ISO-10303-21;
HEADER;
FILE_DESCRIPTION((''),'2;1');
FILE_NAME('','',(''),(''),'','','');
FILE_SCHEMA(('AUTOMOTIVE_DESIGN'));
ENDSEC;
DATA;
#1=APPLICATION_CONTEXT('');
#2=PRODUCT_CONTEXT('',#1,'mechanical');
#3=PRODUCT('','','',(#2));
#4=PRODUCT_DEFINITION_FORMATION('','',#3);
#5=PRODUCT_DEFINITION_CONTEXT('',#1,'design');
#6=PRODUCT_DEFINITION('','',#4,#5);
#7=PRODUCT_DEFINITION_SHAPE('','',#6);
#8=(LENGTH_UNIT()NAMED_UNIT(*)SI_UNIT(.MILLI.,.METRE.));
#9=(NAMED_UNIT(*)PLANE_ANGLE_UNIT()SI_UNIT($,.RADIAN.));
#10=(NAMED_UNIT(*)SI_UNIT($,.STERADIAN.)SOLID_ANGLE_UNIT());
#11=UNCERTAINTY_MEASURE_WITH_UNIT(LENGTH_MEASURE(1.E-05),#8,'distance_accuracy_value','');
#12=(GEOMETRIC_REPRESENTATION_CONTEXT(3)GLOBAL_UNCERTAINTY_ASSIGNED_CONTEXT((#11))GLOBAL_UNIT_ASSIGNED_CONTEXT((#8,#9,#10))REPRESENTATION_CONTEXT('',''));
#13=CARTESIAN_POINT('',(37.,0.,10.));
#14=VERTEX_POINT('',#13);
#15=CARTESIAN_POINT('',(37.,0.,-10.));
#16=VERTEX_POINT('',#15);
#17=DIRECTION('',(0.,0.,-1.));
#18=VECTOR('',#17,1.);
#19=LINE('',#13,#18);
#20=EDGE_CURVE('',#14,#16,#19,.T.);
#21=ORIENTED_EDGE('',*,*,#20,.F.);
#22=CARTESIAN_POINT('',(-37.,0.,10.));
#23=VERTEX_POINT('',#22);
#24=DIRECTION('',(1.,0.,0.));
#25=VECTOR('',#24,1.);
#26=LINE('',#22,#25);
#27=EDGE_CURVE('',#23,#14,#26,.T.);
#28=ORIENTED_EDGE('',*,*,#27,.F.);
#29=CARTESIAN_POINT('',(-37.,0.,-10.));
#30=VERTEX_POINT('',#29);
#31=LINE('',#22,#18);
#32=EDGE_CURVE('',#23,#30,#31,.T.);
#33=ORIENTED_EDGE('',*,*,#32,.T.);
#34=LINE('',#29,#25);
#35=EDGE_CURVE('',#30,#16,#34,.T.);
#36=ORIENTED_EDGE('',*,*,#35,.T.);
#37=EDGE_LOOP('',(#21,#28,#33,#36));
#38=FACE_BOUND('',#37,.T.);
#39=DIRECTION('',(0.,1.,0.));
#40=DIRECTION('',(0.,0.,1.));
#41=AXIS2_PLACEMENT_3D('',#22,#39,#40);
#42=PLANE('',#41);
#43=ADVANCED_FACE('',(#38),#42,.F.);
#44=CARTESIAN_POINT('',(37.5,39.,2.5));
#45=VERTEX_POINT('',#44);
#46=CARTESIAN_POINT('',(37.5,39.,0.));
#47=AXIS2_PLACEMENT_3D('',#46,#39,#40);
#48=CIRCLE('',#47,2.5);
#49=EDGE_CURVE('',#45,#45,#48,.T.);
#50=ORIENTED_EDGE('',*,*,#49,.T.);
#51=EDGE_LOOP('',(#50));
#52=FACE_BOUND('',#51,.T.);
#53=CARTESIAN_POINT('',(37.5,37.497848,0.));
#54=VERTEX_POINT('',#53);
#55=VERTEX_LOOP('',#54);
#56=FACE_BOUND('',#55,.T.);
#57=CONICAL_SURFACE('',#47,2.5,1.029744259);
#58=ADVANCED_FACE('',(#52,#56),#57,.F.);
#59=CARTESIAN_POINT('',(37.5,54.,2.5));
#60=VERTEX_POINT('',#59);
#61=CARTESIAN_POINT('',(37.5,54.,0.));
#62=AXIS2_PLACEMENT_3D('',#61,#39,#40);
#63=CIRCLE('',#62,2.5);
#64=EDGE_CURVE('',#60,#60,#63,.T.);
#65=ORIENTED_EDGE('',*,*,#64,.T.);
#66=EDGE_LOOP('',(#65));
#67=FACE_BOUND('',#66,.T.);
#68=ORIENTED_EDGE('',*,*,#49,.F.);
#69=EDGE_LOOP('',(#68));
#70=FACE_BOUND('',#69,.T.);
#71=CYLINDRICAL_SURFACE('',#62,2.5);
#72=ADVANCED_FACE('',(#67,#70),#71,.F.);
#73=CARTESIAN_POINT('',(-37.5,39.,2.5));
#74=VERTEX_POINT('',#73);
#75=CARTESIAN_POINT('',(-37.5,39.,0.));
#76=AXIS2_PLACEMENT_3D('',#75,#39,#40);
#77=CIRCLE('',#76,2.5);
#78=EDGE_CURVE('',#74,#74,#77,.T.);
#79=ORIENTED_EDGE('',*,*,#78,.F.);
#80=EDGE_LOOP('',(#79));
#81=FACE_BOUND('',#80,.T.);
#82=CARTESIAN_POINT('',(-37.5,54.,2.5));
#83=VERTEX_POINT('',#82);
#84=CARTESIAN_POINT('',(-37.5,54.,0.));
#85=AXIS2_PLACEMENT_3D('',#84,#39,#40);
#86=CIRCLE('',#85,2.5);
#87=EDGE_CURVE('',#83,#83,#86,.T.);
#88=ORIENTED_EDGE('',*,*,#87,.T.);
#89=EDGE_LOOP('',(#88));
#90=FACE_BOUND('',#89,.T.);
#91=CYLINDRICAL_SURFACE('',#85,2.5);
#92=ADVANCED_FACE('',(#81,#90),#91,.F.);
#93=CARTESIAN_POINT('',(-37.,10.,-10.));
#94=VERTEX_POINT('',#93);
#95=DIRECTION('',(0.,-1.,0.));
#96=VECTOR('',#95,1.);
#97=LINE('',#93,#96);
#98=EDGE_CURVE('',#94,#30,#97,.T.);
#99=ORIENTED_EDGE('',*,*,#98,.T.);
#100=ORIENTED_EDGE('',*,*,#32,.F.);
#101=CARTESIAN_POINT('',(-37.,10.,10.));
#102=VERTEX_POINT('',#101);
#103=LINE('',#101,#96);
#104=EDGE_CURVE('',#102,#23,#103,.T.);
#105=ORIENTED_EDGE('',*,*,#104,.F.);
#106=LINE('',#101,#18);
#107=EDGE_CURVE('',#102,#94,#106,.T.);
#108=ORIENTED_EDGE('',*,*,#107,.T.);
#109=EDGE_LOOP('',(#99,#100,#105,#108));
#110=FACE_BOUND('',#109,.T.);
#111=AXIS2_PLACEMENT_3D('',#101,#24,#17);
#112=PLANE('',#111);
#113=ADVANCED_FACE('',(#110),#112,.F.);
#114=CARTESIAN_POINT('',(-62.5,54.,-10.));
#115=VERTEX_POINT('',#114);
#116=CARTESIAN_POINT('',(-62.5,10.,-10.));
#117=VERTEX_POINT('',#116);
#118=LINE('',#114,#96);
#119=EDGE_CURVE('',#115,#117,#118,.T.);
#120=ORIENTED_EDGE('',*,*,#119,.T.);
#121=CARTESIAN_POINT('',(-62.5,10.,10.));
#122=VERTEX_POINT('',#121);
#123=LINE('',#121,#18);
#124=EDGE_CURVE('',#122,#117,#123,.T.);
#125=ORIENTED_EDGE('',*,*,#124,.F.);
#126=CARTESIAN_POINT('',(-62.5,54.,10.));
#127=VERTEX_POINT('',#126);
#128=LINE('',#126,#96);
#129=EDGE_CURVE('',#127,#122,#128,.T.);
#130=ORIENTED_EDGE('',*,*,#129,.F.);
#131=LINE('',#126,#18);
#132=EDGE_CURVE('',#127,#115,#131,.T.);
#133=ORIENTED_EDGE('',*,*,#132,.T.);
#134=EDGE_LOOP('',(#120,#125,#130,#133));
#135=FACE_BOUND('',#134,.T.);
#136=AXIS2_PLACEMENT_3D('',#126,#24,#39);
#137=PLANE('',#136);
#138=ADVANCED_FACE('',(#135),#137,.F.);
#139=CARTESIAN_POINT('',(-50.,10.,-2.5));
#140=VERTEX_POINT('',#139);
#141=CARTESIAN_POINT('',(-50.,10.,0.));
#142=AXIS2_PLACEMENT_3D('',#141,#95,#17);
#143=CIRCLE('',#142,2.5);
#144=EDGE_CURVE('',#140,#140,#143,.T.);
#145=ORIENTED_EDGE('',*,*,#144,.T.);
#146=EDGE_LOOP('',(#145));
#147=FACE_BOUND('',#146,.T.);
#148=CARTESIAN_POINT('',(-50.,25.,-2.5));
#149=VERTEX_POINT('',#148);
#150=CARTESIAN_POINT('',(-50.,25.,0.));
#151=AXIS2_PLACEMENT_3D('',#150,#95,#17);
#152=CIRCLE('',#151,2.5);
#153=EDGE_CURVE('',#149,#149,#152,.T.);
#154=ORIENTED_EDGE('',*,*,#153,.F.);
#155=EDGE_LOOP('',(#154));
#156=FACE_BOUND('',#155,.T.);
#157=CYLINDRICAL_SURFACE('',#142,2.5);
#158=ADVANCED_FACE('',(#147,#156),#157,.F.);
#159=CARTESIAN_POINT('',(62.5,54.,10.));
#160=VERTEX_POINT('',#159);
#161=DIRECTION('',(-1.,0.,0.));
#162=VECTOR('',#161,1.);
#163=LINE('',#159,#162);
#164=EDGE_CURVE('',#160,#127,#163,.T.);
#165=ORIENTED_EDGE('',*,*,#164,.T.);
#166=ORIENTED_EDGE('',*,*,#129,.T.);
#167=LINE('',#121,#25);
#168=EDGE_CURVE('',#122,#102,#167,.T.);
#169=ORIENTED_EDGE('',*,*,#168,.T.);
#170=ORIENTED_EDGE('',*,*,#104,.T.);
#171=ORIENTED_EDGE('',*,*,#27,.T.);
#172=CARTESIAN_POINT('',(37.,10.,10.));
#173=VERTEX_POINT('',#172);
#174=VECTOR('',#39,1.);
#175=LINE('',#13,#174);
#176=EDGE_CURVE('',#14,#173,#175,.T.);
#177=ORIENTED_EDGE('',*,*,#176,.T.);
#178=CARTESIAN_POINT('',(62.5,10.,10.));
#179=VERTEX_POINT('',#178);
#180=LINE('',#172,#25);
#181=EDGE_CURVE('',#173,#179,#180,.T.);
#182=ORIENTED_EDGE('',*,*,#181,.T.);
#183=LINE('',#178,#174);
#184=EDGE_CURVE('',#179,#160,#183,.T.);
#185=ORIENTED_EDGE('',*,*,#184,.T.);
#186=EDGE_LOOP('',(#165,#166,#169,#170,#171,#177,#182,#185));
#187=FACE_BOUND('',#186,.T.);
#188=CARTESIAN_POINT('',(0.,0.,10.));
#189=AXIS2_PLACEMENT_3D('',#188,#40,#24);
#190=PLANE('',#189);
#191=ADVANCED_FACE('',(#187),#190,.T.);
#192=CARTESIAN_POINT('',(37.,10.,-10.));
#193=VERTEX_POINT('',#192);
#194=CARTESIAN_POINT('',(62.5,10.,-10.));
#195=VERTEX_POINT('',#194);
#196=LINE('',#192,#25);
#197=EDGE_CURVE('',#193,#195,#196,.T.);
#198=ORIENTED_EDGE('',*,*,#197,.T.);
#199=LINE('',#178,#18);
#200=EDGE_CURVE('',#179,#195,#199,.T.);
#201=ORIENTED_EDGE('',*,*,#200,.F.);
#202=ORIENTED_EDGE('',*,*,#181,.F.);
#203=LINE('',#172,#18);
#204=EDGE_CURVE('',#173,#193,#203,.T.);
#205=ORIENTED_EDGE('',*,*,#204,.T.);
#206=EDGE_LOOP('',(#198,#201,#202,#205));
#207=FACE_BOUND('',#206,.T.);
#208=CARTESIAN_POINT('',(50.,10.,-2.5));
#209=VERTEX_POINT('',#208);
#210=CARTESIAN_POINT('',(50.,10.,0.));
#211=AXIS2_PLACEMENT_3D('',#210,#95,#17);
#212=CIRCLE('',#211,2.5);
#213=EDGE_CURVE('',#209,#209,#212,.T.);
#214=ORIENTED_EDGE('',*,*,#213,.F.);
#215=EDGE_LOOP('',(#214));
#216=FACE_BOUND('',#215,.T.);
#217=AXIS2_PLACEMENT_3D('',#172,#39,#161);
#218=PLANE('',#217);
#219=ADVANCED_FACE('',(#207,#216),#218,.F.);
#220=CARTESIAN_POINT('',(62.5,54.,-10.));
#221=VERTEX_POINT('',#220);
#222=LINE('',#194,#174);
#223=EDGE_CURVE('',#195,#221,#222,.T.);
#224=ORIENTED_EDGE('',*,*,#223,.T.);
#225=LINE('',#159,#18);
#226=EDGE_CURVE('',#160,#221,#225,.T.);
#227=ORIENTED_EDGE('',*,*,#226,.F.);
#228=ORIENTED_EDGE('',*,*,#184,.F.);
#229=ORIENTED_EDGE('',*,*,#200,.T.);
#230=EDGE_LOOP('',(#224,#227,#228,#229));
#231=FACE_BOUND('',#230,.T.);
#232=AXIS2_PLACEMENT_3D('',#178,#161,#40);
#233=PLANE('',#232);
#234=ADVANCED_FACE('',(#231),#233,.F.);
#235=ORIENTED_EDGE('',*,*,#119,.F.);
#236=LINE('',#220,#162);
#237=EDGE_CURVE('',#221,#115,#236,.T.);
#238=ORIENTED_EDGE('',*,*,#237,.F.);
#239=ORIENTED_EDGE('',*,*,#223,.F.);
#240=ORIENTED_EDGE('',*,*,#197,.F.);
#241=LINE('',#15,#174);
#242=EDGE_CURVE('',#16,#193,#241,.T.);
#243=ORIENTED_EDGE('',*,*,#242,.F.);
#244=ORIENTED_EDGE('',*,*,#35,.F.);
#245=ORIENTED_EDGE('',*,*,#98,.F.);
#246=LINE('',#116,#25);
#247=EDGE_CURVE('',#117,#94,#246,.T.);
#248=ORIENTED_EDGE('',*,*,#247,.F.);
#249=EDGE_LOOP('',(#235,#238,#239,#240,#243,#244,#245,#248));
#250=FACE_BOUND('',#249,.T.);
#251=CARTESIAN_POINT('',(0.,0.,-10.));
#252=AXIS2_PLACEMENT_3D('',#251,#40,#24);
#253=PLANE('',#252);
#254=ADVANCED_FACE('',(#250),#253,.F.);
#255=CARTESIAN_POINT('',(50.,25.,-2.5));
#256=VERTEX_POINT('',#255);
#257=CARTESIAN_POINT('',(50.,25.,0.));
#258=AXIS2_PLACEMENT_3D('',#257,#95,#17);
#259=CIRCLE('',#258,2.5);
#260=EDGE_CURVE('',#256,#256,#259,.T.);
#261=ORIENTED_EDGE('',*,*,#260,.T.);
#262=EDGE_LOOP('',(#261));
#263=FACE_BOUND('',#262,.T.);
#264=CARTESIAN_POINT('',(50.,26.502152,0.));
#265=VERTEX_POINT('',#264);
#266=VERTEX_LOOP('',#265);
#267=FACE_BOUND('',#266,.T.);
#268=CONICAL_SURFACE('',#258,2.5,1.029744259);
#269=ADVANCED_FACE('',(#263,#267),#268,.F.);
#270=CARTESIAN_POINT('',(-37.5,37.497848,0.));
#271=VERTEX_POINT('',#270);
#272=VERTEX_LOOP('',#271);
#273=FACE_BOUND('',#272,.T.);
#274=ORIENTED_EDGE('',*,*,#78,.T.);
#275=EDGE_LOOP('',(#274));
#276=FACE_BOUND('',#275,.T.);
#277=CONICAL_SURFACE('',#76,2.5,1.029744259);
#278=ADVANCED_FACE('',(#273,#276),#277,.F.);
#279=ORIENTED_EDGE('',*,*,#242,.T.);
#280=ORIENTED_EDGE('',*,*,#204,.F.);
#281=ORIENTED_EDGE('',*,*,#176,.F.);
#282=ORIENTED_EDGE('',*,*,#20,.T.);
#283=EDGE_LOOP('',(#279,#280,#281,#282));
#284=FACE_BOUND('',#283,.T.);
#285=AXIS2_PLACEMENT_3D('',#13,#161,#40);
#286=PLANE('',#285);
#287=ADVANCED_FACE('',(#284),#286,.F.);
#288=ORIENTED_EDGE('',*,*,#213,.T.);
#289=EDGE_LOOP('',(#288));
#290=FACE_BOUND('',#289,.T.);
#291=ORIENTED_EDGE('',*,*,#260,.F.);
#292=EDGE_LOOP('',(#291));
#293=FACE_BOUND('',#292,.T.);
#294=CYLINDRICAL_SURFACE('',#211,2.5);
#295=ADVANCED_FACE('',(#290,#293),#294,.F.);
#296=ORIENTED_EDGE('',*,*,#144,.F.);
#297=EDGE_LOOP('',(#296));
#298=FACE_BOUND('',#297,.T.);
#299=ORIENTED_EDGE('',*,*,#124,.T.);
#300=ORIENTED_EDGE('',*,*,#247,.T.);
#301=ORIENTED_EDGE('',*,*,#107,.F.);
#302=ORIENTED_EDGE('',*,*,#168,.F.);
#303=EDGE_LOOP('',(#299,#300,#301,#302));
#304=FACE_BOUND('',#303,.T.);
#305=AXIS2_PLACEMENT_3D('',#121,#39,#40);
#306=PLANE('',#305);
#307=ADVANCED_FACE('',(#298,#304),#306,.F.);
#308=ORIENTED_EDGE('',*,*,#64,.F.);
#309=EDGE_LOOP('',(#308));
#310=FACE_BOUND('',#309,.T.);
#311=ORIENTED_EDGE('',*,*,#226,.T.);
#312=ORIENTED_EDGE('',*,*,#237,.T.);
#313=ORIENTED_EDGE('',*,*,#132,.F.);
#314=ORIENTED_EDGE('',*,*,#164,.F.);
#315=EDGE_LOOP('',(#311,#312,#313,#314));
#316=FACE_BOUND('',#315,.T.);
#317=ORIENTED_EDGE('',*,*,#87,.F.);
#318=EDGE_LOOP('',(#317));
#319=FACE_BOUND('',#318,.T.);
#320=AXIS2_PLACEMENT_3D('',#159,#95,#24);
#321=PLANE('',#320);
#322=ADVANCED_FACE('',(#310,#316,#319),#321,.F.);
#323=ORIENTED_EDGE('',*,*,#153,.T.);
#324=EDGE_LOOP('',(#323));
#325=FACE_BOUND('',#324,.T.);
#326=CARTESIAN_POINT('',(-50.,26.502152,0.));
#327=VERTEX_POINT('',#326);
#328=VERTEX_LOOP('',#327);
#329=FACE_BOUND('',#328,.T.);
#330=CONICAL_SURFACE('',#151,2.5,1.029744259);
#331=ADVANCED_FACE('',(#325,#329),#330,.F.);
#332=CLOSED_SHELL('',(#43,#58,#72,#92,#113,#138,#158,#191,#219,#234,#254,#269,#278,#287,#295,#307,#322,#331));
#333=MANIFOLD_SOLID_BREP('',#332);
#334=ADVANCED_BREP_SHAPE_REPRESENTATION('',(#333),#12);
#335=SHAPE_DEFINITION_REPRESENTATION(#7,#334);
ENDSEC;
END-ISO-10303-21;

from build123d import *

# Parameters (mm, degrees)
BOSS_EXTRUDE1_DEPTH   = 10
M6_TAPPED_HOLE1_D     = 5
M6_TAPPED_HOLE1_DEPTH = 15
M6_TAPPED_HOLE1_TIP   = 1.502151548
M6_TAPPED_HOLE2_D     = 5
M6_TAPPED_HOLE2_DEPTH = 15
M6_TAPPED_HOLE2_TIP   = 1.502151548


with BuildPart() as part:
    # Sketch1 → Boss-Extrude1 (new body, symmetric)
    with BuildSketch(Plane.XY):
        Polygon((-37, 0), (37, 0), (37, 10), (62.5, 10), (62.5, 54), (-62.5, 54), (-62.5, 10), (-37, 10), align=None)
    extrude(amount=BOSS_EXTRUDE1_DEPTH, both=True)

    # M6 Tapped Hole1
    with Locations(Plane(origin=(0, 10, 0), x_dir=(-1, 0, 0), z_dir=(0, -1, 0))):
        with Locations((50, 0), (-50, 0)):
            Hole(M6_TAPPED_HOLE1_D / 2, depth=M6_TAPPED_HOLE1_DEPTH)
            with Locations((0, 0, -(M6_TAPPED_HOLE1_DEPTH + M6_TAPPED_HOLE1_TIP / 2))):  # 118° drill point
                Cone(0, M6_TAPPED_HOLE1_D / 2, M6_TAPPED_HOLE1_TIP, mode=Mode.SUBTRACT)

    # M6 Tapped Hole2
    with Locations(Plane(origin=(0, 54, 0), x_dir=(1, 0, 0), z_dir=(0, 1, 0))):
        with Locations((-37.5, 0), (37.5, 0)):
            Hole(M6_TAPPED_HOLE2_D / 2, depth=M6_TAPPED_HOLE2_DEPTH)
            with Locations((0, 0, -(M6_TAPPED_HOLE2_DEPTH + M6_TAPPED_HOLE2_TIP / 2))):  # 118° drill point
                Cone(0, M6_TAPPED_HOLE2_D / 2, M6_TAPPED_HOLE2_TIP, mode=Mode.SUBTRACT)


solid = part.part
